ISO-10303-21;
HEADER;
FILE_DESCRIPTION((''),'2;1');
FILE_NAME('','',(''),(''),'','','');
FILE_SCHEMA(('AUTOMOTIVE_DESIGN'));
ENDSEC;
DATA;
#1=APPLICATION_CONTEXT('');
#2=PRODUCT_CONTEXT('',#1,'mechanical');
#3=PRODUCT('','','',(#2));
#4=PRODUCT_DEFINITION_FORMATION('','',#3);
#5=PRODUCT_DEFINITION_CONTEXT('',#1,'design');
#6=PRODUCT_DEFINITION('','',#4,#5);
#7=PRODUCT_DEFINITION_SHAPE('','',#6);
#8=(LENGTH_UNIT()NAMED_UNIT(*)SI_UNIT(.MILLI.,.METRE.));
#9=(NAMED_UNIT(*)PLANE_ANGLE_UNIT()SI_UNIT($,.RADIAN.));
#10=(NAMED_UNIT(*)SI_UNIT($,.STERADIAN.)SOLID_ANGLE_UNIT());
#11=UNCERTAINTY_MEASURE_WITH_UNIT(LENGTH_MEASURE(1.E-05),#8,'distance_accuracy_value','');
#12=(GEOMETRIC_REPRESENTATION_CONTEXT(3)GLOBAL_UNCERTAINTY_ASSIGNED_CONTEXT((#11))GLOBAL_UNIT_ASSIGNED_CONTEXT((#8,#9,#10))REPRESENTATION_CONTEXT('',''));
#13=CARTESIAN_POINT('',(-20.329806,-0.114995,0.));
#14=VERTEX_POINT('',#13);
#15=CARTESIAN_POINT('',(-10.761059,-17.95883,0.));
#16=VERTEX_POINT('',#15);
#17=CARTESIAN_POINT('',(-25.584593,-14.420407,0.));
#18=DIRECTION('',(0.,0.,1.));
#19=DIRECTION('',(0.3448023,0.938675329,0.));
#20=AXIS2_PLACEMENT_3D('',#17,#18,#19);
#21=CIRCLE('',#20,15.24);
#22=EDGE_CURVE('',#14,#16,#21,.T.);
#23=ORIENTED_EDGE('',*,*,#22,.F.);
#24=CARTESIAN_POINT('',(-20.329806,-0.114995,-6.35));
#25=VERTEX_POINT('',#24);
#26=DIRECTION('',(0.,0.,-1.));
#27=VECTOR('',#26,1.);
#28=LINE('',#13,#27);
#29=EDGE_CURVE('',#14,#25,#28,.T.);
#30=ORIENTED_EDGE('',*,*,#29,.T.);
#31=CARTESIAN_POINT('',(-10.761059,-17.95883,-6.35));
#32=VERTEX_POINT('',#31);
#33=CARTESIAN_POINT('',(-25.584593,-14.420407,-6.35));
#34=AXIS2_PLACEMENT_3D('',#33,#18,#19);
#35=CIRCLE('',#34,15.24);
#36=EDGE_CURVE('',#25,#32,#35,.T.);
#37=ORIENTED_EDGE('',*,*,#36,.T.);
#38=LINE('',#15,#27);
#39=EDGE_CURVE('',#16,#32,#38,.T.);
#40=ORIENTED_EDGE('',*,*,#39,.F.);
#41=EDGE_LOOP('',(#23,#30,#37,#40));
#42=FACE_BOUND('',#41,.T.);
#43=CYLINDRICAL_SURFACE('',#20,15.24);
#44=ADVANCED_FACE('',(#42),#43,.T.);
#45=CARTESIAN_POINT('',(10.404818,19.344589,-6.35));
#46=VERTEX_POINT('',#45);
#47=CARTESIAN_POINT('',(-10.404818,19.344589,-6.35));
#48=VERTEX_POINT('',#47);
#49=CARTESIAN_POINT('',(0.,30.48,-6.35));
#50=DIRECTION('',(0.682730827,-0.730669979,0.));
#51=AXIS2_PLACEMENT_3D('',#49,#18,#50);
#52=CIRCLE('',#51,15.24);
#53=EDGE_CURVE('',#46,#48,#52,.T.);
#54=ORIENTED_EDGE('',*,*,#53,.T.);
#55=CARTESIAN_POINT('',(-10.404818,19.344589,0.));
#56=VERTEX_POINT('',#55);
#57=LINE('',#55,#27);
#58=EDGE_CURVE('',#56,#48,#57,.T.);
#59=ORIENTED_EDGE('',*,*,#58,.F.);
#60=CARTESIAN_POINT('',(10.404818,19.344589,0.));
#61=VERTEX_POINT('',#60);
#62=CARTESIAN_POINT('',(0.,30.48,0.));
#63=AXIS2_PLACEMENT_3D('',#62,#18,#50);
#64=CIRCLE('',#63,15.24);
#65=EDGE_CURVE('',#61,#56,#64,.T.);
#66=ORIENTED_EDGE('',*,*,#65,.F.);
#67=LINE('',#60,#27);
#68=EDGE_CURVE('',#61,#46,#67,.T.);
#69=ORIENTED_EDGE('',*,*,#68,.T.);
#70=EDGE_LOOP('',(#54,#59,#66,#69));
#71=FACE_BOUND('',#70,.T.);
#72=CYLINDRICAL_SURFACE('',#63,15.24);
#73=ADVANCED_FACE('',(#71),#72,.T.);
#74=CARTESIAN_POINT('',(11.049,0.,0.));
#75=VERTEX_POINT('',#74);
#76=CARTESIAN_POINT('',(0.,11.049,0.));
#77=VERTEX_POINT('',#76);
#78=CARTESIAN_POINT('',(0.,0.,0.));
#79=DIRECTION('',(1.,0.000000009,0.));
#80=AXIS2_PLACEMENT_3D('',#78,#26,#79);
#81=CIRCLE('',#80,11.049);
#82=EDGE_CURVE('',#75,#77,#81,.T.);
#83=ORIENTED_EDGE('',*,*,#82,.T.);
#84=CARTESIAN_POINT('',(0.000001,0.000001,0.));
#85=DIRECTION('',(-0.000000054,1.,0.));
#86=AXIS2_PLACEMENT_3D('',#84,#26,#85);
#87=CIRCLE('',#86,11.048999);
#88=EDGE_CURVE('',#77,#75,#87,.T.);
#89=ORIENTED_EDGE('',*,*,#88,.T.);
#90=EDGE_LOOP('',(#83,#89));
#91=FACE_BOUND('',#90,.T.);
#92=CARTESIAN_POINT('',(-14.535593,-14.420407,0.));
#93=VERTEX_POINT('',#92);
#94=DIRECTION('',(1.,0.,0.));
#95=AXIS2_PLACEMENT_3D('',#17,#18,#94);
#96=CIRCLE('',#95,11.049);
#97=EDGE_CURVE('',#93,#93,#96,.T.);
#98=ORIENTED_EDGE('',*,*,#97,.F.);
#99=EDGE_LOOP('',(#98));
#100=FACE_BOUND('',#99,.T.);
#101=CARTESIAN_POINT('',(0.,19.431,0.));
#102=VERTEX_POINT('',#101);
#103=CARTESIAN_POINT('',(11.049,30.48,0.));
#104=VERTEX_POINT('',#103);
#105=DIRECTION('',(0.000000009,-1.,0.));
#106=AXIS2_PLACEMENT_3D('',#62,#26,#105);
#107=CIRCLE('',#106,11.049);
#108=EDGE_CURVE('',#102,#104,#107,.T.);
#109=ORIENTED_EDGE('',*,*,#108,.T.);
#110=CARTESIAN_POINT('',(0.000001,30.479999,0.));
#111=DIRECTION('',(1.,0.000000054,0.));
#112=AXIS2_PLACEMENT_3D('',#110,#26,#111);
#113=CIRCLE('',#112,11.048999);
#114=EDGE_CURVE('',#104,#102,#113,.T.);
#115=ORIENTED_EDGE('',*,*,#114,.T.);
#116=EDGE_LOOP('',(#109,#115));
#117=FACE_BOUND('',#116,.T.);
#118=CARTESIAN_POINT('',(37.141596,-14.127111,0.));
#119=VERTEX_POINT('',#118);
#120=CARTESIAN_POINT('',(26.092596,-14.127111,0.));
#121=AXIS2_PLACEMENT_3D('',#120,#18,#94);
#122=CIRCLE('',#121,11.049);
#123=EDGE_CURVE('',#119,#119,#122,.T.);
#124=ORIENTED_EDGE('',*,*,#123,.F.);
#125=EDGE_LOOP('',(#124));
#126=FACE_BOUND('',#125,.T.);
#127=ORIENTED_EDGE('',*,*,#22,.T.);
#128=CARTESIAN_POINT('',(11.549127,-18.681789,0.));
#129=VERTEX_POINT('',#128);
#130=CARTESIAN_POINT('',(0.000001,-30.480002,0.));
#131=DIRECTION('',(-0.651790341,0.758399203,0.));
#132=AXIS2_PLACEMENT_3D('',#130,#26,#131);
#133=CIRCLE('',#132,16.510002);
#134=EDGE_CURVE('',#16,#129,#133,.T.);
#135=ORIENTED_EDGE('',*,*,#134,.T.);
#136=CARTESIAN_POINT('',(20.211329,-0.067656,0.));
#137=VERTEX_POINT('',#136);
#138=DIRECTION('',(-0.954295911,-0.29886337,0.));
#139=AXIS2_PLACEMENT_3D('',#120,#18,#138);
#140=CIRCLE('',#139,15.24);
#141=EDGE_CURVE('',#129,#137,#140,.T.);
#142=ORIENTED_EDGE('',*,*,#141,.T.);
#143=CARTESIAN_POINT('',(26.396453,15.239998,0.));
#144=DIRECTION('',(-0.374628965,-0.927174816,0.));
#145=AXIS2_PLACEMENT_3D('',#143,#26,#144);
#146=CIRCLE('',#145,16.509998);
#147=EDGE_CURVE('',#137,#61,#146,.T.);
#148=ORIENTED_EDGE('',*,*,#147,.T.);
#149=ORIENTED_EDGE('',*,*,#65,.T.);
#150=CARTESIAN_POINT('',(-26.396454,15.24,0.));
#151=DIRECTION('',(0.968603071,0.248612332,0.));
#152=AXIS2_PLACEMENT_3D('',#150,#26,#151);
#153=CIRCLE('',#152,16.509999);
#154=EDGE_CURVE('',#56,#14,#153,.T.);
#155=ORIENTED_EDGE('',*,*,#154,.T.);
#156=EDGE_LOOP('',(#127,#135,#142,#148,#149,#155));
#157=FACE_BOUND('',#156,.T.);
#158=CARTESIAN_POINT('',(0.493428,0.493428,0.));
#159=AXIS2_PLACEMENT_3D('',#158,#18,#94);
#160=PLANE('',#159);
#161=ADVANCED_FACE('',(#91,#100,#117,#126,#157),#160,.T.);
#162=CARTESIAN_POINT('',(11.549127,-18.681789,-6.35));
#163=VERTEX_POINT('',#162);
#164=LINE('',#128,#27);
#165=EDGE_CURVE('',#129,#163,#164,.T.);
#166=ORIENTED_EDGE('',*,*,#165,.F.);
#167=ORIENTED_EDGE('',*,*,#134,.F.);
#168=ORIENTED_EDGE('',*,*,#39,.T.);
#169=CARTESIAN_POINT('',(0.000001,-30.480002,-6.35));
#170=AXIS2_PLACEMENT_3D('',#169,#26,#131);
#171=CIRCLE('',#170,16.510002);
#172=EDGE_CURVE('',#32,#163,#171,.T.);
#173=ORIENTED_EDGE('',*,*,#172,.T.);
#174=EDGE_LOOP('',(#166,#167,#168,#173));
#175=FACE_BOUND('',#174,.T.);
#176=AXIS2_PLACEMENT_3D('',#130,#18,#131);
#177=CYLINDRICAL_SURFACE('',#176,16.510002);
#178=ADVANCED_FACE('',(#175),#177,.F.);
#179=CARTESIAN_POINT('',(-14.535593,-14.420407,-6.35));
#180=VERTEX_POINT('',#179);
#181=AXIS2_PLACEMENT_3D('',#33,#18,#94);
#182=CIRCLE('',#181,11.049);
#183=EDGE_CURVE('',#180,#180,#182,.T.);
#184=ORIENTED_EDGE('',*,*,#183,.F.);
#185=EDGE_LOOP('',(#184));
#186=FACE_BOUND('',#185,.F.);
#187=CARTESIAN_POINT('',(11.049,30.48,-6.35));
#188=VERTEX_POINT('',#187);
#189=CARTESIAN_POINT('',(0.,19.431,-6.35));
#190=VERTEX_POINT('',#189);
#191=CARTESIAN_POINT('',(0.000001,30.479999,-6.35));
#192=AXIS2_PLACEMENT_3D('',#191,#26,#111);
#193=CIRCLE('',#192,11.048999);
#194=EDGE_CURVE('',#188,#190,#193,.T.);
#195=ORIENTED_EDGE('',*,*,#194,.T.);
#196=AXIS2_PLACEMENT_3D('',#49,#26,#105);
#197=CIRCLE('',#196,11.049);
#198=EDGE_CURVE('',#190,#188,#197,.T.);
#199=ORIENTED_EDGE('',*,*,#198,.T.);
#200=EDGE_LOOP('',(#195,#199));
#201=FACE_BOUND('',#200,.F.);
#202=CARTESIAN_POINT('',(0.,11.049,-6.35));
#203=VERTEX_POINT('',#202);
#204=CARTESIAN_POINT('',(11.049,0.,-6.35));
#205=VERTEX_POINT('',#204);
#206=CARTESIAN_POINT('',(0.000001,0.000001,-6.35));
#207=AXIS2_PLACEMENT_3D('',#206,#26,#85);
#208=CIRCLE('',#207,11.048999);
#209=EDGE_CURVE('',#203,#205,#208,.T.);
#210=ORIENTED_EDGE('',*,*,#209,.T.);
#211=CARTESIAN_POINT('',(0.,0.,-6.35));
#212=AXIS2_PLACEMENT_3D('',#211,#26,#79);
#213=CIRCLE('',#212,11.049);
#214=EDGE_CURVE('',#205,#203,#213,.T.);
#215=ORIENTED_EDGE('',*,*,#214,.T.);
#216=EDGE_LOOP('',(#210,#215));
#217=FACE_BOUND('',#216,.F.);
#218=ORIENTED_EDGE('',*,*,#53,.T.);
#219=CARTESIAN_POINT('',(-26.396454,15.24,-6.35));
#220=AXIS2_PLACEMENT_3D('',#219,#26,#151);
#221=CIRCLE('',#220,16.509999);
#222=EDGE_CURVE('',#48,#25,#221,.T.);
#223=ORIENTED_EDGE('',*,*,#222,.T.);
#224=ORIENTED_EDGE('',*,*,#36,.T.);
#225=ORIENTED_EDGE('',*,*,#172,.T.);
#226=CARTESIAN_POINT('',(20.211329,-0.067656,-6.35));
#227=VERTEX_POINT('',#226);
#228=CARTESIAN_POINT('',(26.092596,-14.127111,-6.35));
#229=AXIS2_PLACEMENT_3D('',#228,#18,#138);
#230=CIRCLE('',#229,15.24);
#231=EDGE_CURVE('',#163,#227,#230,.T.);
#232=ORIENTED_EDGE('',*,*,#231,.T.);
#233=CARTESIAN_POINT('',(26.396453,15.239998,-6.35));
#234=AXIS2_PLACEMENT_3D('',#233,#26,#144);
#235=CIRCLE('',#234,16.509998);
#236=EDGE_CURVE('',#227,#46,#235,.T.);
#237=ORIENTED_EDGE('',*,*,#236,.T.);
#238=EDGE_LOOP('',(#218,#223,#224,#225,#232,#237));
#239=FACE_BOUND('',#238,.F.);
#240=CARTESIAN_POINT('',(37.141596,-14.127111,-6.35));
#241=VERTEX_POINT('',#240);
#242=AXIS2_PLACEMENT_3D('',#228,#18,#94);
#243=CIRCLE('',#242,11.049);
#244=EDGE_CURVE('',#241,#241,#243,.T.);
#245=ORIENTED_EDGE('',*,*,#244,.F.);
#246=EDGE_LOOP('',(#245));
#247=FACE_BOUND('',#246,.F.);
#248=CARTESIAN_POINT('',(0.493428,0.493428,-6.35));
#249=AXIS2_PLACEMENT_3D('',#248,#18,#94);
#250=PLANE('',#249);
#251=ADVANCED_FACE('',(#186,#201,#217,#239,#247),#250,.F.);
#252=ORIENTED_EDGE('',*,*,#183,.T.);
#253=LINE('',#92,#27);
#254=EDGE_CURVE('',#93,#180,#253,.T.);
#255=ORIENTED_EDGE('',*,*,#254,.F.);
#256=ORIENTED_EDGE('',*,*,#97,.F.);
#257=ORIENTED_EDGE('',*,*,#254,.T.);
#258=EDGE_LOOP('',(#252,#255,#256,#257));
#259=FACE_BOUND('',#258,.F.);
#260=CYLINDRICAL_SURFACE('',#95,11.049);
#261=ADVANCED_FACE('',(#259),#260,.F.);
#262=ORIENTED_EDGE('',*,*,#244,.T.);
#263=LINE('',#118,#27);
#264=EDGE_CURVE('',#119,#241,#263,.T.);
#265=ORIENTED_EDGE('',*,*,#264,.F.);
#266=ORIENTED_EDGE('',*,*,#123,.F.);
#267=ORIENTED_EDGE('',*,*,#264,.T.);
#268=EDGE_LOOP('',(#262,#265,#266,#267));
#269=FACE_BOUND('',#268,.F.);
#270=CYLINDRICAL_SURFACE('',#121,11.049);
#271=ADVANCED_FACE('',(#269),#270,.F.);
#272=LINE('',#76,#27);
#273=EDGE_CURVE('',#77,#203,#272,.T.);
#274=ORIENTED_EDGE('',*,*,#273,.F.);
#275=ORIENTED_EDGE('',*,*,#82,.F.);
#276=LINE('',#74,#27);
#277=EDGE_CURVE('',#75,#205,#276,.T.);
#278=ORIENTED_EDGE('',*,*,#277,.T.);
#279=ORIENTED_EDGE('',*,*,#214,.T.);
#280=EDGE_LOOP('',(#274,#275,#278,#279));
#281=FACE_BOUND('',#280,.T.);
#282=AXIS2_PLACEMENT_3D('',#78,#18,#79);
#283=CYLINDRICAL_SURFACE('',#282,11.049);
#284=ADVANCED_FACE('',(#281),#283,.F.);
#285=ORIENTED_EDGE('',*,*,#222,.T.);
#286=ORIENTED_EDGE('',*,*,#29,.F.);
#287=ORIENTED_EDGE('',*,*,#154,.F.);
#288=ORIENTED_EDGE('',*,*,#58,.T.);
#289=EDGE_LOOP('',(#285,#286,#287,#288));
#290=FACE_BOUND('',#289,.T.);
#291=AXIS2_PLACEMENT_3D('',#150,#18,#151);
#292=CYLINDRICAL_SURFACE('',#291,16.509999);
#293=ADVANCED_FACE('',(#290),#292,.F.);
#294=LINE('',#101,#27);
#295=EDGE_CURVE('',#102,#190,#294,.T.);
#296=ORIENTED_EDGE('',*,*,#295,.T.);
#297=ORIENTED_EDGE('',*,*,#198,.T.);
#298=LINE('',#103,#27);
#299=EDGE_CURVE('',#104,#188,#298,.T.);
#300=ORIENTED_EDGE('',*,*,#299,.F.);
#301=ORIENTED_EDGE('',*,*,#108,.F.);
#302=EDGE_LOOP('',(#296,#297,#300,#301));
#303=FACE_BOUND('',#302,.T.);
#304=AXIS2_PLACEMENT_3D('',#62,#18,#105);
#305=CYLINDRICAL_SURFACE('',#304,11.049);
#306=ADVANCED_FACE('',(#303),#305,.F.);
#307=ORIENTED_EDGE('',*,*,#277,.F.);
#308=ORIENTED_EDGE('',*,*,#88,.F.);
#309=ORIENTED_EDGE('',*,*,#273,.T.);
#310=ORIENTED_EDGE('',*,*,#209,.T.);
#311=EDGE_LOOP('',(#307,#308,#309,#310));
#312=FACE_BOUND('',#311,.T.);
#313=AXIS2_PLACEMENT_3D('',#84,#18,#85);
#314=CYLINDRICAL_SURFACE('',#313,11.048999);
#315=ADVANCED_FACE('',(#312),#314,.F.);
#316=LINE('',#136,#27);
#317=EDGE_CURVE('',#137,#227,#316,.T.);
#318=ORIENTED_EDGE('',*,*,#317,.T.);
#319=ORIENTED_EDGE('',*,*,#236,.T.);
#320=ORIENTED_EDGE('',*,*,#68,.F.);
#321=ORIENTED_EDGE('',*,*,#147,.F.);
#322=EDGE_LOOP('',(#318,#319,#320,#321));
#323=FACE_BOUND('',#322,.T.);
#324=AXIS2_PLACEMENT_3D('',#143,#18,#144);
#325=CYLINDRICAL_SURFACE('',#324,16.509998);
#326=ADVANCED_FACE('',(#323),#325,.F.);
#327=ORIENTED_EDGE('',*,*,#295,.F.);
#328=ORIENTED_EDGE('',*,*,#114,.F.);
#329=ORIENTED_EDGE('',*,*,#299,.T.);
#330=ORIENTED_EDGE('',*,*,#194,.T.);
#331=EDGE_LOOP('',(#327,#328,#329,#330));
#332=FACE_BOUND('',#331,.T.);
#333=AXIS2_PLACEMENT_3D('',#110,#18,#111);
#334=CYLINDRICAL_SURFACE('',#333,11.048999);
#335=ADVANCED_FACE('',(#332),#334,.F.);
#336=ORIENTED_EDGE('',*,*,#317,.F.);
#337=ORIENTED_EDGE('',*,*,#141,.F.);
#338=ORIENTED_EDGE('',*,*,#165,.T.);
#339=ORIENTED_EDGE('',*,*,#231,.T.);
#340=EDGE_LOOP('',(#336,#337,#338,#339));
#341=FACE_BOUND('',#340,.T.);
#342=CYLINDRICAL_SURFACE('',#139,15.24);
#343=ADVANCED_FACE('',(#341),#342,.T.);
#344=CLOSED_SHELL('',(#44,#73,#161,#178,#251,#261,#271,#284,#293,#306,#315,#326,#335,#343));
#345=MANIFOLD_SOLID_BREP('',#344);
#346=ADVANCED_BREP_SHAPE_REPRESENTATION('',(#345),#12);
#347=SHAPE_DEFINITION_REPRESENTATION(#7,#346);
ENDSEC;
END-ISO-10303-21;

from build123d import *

# Parameters (mm, degrees)
F0_R     = 11.049
F1_DEPTH = 6.35


with BuildPart() as f1:
    # F0 (on Top) → F1 (new body)
    with BuildSketch(Plane.XY):
        with BuildLine():
            ThreePointArc((0, 11.049), (-7.812823, -7.812823), (11.049, 0))
            ThreePointArc((11.049, 0), (7.812823, 7.812823), (0, 11.049))
        make_face()
        with BuildLine():
            ThreePointArc((20.211329, -0.067656), (11.66007, 7.7956), (10.404818, 19.344589))
            ThreePointArc((10.404818, 19.344589), (0, 45.72), (-10.404818, 19.344589))
            ThreePointArc((-10.404818, 19.344589), (-11.688945, 7.738716), (-20.329806, -0.114995))
            ThreePointArc((-20.329806, -0.114995), (-39.015355, -21.622645), (-10.761059, -17.95883))
            ThreePointArc((-10.761059, -17.95883), (0.534724, -13.978662), (11.549127, -18.681789))
            ThreePointArc((11.549127, -18.681789), (39.909758, -20.557013), (20.211329, -0.067656))
        make_face()
        with Locations((-25.584593, -14.420407)):
            Circle(F0_R, mode=Mode.SUBTRACT)
        with BuildLine():
            ThreePointArc((0, 11.049), (7.812823, 7.812823), (11.049, 0))
            ThreePointArc((11.049, 0), (-7.812823, -7.812823), (0, 11.049))
        make_face(mode=Mode.SUBTRACT)
        with Locations((26.092596, -14.127111)):
            Circle(F0_R, mode=Mode.SUBTRACT)
        with BuildLine():
            ThreePointArc((0, 19.431), (-7.812823, 38.292823), (11.049, 30.48))
            ThreePointArc((11.049, 30.48), (7.812823, 22.667177), (0, 19.431))
        make_face(mode=Mode.SUBTRACT)
    extrude(amount=-F1_DEPTH)


solid = f1.part
